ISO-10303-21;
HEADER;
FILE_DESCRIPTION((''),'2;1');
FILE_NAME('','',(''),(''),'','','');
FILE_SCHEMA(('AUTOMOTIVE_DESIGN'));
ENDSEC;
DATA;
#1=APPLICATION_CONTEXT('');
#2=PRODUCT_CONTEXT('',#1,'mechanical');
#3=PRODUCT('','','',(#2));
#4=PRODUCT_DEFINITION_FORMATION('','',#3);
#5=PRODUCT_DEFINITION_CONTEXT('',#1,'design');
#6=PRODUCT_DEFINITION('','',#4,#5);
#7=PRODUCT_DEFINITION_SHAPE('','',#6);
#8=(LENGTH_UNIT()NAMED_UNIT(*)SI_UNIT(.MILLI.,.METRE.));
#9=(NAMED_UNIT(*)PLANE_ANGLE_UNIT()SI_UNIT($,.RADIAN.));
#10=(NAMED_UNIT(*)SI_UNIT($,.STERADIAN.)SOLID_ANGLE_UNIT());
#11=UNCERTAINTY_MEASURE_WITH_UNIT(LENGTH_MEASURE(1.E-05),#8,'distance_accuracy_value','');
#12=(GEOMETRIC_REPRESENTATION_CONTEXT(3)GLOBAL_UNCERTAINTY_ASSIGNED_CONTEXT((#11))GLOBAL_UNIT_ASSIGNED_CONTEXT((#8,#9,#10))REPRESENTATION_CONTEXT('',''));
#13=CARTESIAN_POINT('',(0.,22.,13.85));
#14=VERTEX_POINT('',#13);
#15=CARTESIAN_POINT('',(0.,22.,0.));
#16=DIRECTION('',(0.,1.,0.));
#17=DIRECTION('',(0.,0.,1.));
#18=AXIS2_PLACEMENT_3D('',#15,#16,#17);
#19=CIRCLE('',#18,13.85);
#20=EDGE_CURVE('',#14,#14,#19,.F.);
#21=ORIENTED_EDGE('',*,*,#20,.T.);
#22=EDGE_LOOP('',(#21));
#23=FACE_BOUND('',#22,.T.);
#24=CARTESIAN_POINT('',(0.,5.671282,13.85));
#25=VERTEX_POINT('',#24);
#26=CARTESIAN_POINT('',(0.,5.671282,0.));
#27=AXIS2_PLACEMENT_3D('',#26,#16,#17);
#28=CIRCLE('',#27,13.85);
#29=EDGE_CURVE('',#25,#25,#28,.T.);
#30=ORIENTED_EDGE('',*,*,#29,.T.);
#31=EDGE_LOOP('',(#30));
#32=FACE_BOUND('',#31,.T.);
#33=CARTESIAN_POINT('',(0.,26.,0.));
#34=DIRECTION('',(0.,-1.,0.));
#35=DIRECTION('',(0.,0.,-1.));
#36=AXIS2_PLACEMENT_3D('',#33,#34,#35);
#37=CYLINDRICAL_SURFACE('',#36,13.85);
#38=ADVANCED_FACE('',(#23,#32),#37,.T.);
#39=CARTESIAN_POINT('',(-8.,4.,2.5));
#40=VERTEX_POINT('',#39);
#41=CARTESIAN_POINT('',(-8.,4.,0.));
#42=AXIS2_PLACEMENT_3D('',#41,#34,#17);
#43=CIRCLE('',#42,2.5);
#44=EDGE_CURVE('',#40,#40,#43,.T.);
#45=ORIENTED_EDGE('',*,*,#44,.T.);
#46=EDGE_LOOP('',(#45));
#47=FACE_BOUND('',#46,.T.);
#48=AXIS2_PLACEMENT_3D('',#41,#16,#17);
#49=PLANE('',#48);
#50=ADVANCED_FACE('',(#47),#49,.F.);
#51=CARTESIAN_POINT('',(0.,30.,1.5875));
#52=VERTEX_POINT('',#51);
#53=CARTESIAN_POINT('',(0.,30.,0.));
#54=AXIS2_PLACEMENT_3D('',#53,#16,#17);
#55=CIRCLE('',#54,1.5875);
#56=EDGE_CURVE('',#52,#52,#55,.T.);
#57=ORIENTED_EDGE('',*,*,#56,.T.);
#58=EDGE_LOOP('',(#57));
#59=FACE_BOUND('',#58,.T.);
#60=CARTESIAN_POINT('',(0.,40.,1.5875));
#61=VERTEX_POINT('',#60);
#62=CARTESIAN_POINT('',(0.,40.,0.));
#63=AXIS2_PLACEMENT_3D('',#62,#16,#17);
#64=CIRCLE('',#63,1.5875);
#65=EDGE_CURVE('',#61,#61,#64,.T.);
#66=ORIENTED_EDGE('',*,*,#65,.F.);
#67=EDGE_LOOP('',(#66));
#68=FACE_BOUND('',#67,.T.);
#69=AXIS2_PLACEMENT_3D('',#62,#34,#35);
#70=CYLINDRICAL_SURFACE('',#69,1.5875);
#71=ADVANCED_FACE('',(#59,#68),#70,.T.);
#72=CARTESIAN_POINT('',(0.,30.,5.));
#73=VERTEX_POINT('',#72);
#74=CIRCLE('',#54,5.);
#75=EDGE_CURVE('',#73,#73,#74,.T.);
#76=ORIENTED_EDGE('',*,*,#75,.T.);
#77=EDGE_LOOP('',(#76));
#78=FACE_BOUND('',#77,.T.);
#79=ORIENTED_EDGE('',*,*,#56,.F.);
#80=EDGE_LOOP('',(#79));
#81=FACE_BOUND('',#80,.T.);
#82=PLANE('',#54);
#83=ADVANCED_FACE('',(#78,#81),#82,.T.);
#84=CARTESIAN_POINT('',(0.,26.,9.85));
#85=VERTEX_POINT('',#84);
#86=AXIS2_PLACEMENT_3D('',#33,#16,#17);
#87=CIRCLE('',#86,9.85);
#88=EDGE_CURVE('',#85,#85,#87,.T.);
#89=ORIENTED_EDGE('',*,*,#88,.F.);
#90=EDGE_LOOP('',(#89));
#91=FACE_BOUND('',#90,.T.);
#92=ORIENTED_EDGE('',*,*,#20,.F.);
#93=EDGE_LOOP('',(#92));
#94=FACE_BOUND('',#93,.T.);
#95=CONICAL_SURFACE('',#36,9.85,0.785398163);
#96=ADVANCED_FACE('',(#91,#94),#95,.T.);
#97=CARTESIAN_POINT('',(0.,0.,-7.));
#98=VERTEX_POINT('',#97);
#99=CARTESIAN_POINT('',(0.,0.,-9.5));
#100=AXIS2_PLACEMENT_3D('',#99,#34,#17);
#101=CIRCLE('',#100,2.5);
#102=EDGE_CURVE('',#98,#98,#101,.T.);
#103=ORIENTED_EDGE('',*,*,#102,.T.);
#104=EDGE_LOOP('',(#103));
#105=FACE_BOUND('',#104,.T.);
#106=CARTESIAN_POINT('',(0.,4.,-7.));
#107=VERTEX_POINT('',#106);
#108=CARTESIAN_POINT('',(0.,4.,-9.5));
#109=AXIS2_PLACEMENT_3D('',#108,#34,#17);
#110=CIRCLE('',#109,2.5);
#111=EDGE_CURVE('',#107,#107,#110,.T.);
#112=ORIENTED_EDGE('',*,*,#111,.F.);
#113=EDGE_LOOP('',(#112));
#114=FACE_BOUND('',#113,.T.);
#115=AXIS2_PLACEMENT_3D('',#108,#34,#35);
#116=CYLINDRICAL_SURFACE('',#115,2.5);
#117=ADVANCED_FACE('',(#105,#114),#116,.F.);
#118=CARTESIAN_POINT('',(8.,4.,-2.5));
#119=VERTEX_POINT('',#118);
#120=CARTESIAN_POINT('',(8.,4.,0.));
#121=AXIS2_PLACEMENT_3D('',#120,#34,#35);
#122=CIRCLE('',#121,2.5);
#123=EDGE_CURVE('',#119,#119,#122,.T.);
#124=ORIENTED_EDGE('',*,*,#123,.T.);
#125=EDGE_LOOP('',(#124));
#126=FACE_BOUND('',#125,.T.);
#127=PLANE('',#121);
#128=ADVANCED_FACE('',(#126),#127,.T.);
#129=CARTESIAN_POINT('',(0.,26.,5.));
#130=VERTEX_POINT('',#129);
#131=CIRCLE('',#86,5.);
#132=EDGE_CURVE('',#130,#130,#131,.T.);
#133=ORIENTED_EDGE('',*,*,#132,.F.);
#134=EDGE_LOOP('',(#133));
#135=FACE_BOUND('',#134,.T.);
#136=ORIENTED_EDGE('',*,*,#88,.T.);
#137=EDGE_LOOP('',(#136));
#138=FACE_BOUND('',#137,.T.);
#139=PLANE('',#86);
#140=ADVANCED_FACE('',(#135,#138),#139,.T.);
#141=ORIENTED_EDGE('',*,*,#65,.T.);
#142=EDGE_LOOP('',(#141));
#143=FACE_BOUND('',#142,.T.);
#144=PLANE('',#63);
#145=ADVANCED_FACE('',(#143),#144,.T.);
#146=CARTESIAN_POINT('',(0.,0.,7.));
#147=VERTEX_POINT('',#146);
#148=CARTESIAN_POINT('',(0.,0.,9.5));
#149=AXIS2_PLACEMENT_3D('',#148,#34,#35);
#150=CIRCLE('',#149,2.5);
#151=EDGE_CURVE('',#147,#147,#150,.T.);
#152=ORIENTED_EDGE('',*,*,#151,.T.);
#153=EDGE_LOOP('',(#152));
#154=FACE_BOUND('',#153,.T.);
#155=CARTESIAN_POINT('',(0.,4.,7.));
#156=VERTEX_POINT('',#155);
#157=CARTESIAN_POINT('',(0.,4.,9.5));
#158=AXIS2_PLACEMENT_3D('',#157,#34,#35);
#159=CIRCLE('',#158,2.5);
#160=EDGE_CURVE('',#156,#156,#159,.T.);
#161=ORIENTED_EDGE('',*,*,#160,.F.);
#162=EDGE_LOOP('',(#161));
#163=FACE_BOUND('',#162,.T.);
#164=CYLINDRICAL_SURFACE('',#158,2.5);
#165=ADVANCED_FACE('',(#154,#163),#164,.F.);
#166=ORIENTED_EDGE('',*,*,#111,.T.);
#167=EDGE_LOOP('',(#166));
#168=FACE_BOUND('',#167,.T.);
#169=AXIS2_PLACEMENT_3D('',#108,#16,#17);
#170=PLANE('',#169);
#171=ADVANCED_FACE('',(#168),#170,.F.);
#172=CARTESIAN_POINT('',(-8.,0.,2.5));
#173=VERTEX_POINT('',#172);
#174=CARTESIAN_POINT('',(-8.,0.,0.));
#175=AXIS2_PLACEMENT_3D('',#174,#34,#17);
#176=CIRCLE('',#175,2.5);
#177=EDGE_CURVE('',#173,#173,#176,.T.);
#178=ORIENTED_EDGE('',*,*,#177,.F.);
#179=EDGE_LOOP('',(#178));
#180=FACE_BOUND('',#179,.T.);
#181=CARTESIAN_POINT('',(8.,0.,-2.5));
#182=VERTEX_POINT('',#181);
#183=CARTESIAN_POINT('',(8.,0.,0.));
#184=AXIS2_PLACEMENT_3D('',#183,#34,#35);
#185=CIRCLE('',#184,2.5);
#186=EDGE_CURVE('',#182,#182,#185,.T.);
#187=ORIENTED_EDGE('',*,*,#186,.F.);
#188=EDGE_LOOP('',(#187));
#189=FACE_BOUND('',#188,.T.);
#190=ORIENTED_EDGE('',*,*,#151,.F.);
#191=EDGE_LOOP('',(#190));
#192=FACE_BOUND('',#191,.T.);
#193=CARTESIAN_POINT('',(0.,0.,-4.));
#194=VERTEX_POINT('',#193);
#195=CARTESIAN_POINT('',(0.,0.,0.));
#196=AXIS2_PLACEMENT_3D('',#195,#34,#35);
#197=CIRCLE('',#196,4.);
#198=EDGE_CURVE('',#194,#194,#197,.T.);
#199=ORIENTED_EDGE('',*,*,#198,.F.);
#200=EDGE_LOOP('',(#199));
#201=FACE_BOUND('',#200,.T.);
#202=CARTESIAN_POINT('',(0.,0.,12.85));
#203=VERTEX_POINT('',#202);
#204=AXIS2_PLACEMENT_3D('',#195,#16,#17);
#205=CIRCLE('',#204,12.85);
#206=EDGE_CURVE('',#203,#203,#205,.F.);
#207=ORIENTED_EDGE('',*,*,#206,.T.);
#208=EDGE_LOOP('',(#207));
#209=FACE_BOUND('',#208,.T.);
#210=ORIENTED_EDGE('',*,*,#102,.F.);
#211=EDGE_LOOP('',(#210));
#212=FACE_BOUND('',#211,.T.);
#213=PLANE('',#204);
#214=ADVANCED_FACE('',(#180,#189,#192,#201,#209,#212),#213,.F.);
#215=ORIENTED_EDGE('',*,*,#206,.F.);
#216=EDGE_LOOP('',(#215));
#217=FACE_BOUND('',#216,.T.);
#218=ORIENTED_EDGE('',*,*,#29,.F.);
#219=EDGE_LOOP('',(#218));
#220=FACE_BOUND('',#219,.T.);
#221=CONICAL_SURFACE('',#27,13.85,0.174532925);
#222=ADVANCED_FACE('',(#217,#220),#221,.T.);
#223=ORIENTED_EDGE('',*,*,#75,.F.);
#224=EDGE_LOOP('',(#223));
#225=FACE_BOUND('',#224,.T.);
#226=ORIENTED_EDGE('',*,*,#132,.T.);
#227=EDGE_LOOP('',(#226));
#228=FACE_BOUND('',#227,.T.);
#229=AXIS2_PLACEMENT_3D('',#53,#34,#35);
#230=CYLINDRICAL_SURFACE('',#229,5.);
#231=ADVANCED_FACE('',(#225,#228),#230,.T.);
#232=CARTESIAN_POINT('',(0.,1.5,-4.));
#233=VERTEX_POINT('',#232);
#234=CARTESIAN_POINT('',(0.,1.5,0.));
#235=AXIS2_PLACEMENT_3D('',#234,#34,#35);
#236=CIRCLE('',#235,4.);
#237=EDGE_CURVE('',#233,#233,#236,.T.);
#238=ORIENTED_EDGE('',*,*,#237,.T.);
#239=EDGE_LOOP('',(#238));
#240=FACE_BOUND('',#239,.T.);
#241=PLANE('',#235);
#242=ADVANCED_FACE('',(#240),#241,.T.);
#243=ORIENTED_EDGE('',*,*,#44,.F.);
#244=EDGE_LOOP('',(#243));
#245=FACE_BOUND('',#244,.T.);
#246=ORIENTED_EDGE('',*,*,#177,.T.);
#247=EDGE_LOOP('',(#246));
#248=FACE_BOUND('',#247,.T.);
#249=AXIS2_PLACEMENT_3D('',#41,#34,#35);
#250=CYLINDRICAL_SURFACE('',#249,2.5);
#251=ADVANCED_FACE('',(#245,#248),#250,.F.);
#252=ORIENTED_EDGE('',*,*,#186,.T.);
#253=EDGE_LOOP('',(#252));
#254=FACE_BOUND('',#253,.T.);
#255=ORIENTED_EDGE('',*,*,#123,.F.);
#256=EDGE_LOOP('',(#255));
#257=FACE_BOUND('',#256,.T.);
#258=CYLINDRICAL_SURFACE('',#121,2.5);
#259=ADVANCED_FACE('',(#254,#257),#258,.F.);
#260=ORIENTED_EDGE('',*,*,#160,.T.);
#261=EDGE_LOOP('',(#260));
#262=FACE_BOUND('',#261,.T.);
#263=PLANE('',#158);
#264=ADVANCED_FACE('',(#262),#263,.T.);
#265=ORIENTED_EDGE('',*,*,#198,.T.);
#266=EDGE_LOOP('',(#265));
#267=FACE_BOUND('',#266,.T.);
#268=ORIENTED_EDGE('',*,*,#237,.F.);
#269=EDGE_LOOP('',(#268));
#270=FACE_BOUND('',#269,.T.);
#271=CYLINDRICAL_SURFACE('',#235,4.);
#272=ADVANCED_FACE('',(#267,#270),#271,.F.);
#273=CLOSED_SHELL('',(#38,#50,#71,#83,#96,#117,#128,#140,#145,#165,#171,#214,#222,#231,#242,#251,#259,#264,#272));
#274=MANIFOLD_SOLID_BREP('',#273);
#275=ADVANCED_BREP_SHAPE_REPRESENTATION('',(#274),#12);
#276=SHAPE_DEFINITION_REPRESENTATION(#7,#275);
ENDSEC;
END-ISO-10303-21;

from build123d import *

# Parameters (mm, degrees)
CROQUIS1_R              = 13.85
SALIENTE_EXTRUIR1_DEPTH = 26
CHAFL_N1_SIZE           = 1
CHAFL_N1_SIZE2          = 5.67128182
CHAFL_N2_SIZE           = 4
CROQUIS3_R              = 5
SALIENTE_EXTRUIR3_DEPTH = 4
CROQUIS4_R              = 1.5875
SALIENTE_EXTRUIR4_DEPTH = 10
CROQUIS5_R              = 2.5
CORTAR_EXTRUIR1_DEPTH   = 4
CROQUIS6_R              = 4
CORTAR_EXTRUIR2_DEPTH   = 1.5


with BuildPart() as part:
    # Croquis1 → Saliente-Extruir1 (new body)
    with BuildSketch(Plane(origin=(0, 0, 0), x_dir=(1, 0, 0), z_dir=(0, 1, 0))):
        Circle(CROQUIS1_R)
    extrude(amount=SALIENTE_EXTRUIR1_DEPTH)

    # Chaflán1
    chafl_n1_edges = [part.edges().sort_by_distance(p)[0] for p in [
        (-13.85, 0, 0),
    ]]
    chafl_n1_side = [part.faces().sort_by_distance(p)[0] for p in [
        (0, 0, 0),
    ]]
    chamfer(chafl_n1_edges, length=CHAFL_N1_SIZE, length2=CHAFL_N1_SIZE2, reference=chafl_n1_side[0])

    # Chaflán2
    chafl_n2_edges = [part.edges().sort_by_distance(p)[0] for p in [
        (-13.85, 26, 0),
    ]]
    chamfer(chafl_n2_edges, length=CHAFL_N2_SIZE)

    # Croquis3 → Saliente-Extruir3 (add)
    with BuildSketch(Plane(origin=(0, 26, 0), x_dir=(1, 0, 0), z_dir=(0, 1, 0))):
        Circle(CROQUIS3_R)
    extrude(amount=SALIENTE_EXTRUIR3_DEPTH)

    # Croquis4 → Saliente-Extruir4 (add)
    with BuildSketch(Plane(origin=(0, 30, 0), x_dir=(1, 0, 0), z_dir=(0, 1, 0))):
        Circle(CROQUIS4_R)
    extrude(amount=SALIENTE_EXTRUIR4_DEPTH)

    # Croquis5 → Cortar-Extruir1 (cut)
    with BuildSketch(Plane.XZ):
        with Locations((8, 0)):
            Circle(CROQUIS5_R)
        with Locations((0, 9.5)):
            Circle(CROQUIS5_R)
        with Locations((0, -9.5)):
            Circle(CROQUIS5_R)
        with Locations((-8, 0)):
            Circle(CROQUIS5_R)
    extrude(amount=-CORTAR_EXTRUIR1_DEPTH, mode=Mode.SUBTRACT)

    # Croquis6 → Cortar-Extruir2 (cut)
    with BuildSketch(Plane.XZ):
        Circle(CROQUIS6_R)
    extrude(amount=-CORTAR_EXTRUIR2_DEPTH, mode=Mode.SUBTRACT)


solid = part.part
